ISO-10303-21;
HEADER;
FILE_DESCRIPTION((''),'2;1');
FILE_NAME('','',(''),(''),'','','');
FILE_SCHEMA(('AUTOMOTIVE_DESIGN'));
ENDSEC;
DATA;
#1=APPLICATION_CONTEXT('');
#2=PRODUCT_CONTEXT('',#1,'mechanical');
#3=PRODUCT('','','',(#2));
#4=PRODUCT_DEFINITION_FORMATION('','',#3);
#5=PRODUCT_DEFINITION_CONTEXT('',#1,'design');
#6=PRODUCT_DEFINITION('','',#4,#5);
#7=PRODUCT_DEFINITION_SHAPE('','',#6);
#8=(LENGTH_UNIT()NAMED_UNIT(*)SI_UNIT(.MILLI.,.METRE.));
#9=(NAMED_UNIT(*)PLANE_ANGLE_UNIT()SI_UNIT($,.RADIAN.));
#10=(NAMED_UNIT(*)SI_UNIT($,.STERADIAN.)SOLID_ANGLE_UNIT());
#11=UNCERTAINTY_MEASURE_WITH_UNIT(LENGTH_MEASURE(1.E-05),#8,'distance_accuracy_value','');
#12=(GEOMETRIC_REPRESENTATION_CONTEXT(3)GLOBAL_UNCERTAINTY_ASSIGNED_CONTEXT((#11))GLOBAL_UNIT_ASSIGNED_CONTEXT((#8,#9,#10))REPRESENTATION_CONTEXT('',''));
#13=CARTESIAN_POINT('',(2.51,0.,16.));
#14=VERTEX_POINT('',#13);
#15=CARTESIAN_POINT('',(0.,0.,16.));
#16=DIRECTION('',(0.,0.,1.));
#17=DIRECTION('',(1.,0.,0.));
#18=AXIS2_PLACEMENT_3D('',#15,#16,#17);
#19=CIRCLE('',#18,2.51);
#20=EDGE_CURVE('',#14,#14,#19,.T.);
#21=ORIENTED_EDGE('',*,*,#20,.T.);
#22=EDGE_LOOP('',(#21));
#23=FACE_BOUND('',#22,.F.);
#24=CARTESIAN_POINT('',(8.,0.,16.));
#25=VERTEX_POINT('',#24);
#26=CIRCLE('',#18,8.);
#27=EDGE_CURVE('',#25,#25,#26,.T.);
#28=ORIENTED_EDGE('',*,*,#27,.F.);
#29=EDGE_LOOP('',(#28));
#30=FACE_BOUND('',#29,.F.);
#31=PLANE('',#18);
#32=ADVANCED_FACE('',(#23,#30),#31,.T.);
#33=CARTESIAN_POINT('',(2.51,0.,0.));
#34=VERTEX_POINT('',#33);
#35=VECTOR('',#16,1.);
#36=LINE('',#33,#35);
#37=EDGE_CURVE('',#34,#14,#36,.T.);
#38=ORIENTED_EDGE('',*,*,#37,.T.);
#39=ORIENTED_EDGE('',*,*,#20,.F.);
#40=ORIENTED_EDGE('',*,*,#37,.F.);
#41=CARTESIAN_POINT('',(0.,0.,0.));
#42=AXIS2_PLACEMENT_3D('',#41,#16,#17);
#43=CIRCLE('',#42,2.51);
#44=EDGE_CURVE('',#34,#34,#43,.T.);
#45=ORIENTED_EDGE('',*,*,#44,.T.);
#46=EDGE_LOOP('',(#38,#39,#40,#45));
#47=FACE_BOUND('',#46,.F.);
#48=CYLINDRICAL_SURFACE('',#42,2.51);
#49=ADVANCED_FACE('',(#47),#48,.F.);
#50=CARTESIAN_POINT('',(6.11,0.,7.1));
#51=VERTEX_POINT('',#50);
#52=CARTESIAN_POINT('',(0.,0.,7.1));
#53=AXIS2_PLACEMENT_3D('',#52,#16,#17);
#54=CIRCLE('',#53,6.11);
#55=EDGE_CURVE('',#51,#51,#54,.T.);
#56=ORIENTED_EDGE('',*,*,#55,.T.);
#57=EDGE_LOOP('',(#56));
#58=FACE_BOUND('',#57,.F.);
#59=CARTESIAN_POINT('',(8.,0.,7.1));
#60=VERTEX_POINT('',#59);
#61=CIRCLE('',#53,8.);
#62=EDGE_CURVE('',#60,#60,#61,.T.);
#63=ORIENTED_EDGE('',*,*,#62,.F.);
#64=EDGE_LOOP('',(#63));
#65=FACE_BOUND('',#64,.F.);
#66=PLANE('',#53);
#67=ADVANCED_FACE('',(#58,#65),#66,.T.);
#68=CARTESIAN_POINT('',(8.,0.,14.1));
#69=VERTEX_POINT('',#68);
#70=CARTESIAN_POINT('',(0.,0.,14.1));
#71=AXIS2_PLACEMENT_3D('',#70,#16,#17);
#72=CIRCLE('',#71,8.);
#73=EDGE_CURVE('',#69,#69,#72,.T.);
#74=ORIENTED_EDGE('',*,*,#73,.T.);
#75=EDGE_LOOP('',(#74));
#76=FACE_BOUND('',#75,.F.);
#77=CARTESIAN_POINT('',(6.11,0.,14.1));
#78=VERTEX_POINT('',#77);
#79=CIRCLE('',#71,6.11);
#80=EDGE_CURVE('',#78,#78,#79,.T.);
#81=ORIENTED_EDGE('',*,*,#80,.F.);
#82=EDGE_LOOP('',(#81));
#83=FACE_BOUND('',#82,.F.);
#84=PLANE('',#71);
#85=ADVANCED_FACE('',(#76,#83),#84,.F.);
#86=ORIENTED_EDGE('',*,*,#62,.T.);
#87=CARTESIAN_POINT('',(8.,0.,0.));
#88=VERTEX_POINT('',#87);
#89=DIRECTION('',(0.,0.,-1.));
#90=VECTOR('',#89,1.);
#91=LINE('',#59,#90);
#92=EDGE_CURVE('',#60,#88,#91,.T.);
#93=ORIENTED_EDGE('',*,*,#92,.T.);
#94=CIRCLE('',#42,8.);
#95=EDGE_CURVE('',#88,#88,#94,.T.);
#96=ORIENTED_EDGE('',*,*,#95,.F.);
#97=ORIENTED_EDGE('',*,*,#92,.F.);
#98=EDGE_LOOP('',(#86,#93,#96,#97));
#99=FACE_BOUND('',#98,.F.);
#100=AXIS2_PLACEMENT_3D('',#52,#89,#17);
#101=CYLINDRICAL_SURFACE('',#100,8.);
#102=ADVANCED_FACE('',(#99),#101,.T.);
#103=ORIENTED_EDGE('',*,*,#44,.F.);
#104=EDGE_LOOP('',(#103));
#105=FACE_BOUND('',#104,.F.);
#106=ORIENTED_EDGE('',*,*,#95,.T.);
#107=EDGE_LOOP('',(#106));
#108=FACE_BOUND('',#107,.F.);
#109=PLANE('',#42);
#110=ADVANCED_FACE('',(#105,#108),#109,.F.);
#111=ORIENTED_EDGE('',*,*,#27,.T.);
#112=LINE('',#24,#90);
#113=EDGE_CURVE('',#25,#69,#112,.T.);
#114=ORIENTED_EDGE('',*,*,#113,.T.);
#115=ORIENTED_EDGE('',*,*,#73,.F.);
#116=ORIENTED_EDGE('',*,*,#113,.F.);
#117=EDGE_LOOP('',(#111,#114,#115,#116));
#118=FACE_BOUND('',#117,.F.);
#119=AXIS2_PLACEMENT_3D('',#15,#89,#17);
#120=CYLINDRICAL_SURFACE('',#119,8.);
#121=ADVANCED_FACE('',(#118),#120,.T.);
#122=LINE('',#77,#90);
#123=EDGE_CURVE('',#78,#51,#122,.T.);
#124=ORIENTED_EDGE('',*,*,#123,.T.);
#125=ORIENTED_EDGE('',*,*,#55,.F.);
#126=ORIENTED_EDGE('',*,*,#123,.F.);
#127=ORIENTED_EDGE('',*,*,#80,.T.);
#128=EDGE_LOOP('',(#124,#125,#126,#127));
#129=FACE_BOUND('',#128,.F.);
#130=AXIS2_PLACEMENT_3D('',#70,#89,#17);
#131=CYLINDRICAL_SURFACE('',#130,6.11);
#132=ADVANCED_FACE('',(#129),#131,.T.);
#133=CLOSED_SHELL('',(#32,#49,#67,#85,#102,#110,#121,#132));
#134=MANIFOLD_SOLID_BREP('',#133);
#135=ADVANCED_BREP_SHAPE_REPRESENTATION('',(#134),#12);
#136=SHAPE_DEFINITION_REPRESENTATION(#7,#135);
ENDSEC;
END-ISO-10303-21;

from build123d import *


with BuildPart() as part:
    # Sketch → Revolution (revolve)
    with BuildSketch(Plane.XZ):
        Polygon((2.51, 0), (2.51, 16), (8, 16), (8, 14.1), (6.11, 14.1), (6.11, 7.1), (8, 7.1), (8, 0), align=None)
    revolve(axis=Axis((0, 0, 0), (0, 0, 1)))


solid = part.part
